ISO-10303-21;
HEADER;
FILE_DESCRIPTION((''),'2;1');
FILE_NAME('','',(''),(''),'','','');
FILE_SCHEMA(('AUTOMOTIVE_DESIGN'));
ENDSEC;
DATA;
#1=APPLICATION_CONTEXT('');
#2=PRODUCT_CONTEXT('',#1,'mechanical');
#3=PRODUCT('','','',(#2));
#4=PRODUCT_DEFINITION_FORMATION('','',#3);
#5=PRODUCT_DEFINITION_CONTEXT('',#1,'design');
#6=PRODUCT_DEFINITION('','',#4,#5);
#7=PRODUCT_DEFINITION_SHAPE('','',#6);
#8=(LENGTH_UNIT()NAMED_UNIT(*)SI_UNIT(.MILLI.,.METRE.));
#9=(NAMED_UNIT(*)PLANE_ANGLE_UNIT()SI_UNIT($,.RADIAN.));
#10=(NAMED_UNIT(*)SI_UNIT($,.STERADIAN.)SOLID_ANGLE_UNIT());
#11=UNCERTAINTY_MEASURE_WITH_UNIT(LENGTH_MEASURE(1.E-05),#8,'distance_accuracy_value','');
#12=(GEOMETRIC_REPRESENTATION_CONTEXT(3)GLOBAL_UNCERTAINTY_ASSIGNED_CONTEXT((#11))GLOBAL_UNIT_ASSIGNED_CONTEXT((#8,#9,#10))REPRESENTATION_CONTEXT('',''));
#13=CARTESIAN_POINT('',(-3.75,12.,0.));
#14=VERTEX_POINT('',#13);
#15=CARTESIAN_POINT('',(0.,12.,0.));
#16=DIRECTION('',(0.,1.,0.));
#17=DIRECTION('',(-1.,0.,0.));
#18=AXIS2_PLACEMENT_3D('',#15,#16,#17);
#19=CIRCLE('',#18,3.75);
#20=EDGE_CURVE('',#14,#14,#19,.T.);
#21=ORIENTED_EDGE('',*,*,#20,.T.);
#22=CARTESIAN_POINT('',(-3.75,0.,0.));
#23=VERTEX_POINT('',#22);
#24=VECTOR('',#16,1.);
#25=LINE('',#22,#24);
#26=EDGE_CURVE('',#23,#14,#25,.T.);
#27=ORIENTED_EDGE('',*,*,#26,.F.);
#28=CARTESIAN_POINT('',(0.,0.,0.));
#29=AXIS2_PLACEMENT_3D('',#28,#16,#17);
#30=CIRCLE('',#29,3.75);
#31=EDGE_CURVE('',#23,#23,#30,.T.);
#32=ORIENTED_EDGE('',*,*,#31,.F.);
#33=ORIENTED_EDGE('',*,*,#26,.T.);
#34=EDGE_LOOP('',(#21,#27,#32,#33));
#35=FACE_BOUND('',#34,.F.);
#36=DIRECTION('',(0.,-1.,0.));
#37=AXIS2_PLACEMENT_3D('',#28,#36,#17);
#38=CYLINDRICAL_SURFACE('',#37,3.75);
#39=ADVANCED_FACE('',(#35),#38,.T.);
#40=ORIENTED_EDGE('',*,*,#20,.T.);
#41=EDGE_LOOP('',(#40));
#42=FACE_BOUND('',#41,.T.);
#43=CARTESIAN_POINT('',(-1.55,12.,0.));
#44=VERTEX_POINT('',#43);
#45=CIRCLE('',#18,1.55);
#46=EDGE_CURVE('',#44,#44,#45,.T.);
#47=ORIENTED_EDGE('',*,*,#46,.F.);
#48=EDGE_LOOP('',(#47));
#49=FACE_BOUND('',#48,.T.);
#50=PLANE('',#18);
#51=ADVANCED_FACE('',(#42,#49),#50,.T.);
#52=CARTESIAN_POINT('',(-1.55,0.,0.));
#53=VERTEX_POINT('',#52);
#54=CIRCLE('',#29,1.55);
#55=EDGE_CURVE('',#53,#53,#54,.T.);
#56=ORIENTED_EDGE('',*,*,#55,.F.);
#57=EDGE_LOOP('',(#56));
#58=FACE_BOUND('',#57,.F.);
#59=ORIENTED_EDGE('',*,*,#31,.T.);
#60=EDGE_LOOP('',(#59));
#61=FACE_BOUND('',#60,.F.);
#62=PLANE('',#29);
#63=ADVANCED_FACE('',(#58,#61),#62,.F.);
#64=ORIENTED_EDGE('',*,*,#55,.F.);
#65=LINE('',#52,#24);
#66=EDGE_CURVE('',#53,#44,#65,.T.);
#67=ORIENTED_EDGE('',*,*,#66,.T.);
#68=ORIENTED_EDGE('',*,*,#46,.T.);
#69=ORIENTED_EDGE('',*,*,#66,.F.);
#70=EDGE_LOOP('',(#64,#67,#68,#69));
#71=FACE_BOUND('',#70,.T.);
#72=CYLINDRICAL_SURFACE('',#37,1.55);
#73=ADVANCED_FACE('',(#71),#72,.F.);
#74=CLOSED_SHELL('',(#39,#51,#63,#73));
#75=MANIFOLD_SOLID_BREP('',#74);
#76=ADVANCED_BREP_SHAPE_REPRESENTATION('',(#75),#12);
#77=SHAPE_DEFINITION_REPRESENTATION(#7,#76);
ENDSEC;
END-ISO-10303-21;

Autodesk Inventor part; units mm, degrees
ref_plane "YZ Plane" through (0, 0, 0) normal (1, 0, 0) x (0, 1, 0)
ref_plane "XZ Plane" through (0, 0, 0) normal (0, 1, 0) x (-1, 0, 0)
ref_plane "XY Plane" through (0, 0, 0) normal (0, 0, 1) x (1, 0, 0)
sketch "Sketch1" plane through (0, 0, 0) normal (0, 1, 0) x (-1, 0, 0)
  circle A0 centre (0, 0) radius 1.55
  circle A1 centre (0, 0) radius 3.75
  dimension "d0" = 3.1
  dimension "d1" = 7.5
extrude "Extrusion1" add sketch "Sketch1" along normal blind 12
properties part number "push_clip_rod"
